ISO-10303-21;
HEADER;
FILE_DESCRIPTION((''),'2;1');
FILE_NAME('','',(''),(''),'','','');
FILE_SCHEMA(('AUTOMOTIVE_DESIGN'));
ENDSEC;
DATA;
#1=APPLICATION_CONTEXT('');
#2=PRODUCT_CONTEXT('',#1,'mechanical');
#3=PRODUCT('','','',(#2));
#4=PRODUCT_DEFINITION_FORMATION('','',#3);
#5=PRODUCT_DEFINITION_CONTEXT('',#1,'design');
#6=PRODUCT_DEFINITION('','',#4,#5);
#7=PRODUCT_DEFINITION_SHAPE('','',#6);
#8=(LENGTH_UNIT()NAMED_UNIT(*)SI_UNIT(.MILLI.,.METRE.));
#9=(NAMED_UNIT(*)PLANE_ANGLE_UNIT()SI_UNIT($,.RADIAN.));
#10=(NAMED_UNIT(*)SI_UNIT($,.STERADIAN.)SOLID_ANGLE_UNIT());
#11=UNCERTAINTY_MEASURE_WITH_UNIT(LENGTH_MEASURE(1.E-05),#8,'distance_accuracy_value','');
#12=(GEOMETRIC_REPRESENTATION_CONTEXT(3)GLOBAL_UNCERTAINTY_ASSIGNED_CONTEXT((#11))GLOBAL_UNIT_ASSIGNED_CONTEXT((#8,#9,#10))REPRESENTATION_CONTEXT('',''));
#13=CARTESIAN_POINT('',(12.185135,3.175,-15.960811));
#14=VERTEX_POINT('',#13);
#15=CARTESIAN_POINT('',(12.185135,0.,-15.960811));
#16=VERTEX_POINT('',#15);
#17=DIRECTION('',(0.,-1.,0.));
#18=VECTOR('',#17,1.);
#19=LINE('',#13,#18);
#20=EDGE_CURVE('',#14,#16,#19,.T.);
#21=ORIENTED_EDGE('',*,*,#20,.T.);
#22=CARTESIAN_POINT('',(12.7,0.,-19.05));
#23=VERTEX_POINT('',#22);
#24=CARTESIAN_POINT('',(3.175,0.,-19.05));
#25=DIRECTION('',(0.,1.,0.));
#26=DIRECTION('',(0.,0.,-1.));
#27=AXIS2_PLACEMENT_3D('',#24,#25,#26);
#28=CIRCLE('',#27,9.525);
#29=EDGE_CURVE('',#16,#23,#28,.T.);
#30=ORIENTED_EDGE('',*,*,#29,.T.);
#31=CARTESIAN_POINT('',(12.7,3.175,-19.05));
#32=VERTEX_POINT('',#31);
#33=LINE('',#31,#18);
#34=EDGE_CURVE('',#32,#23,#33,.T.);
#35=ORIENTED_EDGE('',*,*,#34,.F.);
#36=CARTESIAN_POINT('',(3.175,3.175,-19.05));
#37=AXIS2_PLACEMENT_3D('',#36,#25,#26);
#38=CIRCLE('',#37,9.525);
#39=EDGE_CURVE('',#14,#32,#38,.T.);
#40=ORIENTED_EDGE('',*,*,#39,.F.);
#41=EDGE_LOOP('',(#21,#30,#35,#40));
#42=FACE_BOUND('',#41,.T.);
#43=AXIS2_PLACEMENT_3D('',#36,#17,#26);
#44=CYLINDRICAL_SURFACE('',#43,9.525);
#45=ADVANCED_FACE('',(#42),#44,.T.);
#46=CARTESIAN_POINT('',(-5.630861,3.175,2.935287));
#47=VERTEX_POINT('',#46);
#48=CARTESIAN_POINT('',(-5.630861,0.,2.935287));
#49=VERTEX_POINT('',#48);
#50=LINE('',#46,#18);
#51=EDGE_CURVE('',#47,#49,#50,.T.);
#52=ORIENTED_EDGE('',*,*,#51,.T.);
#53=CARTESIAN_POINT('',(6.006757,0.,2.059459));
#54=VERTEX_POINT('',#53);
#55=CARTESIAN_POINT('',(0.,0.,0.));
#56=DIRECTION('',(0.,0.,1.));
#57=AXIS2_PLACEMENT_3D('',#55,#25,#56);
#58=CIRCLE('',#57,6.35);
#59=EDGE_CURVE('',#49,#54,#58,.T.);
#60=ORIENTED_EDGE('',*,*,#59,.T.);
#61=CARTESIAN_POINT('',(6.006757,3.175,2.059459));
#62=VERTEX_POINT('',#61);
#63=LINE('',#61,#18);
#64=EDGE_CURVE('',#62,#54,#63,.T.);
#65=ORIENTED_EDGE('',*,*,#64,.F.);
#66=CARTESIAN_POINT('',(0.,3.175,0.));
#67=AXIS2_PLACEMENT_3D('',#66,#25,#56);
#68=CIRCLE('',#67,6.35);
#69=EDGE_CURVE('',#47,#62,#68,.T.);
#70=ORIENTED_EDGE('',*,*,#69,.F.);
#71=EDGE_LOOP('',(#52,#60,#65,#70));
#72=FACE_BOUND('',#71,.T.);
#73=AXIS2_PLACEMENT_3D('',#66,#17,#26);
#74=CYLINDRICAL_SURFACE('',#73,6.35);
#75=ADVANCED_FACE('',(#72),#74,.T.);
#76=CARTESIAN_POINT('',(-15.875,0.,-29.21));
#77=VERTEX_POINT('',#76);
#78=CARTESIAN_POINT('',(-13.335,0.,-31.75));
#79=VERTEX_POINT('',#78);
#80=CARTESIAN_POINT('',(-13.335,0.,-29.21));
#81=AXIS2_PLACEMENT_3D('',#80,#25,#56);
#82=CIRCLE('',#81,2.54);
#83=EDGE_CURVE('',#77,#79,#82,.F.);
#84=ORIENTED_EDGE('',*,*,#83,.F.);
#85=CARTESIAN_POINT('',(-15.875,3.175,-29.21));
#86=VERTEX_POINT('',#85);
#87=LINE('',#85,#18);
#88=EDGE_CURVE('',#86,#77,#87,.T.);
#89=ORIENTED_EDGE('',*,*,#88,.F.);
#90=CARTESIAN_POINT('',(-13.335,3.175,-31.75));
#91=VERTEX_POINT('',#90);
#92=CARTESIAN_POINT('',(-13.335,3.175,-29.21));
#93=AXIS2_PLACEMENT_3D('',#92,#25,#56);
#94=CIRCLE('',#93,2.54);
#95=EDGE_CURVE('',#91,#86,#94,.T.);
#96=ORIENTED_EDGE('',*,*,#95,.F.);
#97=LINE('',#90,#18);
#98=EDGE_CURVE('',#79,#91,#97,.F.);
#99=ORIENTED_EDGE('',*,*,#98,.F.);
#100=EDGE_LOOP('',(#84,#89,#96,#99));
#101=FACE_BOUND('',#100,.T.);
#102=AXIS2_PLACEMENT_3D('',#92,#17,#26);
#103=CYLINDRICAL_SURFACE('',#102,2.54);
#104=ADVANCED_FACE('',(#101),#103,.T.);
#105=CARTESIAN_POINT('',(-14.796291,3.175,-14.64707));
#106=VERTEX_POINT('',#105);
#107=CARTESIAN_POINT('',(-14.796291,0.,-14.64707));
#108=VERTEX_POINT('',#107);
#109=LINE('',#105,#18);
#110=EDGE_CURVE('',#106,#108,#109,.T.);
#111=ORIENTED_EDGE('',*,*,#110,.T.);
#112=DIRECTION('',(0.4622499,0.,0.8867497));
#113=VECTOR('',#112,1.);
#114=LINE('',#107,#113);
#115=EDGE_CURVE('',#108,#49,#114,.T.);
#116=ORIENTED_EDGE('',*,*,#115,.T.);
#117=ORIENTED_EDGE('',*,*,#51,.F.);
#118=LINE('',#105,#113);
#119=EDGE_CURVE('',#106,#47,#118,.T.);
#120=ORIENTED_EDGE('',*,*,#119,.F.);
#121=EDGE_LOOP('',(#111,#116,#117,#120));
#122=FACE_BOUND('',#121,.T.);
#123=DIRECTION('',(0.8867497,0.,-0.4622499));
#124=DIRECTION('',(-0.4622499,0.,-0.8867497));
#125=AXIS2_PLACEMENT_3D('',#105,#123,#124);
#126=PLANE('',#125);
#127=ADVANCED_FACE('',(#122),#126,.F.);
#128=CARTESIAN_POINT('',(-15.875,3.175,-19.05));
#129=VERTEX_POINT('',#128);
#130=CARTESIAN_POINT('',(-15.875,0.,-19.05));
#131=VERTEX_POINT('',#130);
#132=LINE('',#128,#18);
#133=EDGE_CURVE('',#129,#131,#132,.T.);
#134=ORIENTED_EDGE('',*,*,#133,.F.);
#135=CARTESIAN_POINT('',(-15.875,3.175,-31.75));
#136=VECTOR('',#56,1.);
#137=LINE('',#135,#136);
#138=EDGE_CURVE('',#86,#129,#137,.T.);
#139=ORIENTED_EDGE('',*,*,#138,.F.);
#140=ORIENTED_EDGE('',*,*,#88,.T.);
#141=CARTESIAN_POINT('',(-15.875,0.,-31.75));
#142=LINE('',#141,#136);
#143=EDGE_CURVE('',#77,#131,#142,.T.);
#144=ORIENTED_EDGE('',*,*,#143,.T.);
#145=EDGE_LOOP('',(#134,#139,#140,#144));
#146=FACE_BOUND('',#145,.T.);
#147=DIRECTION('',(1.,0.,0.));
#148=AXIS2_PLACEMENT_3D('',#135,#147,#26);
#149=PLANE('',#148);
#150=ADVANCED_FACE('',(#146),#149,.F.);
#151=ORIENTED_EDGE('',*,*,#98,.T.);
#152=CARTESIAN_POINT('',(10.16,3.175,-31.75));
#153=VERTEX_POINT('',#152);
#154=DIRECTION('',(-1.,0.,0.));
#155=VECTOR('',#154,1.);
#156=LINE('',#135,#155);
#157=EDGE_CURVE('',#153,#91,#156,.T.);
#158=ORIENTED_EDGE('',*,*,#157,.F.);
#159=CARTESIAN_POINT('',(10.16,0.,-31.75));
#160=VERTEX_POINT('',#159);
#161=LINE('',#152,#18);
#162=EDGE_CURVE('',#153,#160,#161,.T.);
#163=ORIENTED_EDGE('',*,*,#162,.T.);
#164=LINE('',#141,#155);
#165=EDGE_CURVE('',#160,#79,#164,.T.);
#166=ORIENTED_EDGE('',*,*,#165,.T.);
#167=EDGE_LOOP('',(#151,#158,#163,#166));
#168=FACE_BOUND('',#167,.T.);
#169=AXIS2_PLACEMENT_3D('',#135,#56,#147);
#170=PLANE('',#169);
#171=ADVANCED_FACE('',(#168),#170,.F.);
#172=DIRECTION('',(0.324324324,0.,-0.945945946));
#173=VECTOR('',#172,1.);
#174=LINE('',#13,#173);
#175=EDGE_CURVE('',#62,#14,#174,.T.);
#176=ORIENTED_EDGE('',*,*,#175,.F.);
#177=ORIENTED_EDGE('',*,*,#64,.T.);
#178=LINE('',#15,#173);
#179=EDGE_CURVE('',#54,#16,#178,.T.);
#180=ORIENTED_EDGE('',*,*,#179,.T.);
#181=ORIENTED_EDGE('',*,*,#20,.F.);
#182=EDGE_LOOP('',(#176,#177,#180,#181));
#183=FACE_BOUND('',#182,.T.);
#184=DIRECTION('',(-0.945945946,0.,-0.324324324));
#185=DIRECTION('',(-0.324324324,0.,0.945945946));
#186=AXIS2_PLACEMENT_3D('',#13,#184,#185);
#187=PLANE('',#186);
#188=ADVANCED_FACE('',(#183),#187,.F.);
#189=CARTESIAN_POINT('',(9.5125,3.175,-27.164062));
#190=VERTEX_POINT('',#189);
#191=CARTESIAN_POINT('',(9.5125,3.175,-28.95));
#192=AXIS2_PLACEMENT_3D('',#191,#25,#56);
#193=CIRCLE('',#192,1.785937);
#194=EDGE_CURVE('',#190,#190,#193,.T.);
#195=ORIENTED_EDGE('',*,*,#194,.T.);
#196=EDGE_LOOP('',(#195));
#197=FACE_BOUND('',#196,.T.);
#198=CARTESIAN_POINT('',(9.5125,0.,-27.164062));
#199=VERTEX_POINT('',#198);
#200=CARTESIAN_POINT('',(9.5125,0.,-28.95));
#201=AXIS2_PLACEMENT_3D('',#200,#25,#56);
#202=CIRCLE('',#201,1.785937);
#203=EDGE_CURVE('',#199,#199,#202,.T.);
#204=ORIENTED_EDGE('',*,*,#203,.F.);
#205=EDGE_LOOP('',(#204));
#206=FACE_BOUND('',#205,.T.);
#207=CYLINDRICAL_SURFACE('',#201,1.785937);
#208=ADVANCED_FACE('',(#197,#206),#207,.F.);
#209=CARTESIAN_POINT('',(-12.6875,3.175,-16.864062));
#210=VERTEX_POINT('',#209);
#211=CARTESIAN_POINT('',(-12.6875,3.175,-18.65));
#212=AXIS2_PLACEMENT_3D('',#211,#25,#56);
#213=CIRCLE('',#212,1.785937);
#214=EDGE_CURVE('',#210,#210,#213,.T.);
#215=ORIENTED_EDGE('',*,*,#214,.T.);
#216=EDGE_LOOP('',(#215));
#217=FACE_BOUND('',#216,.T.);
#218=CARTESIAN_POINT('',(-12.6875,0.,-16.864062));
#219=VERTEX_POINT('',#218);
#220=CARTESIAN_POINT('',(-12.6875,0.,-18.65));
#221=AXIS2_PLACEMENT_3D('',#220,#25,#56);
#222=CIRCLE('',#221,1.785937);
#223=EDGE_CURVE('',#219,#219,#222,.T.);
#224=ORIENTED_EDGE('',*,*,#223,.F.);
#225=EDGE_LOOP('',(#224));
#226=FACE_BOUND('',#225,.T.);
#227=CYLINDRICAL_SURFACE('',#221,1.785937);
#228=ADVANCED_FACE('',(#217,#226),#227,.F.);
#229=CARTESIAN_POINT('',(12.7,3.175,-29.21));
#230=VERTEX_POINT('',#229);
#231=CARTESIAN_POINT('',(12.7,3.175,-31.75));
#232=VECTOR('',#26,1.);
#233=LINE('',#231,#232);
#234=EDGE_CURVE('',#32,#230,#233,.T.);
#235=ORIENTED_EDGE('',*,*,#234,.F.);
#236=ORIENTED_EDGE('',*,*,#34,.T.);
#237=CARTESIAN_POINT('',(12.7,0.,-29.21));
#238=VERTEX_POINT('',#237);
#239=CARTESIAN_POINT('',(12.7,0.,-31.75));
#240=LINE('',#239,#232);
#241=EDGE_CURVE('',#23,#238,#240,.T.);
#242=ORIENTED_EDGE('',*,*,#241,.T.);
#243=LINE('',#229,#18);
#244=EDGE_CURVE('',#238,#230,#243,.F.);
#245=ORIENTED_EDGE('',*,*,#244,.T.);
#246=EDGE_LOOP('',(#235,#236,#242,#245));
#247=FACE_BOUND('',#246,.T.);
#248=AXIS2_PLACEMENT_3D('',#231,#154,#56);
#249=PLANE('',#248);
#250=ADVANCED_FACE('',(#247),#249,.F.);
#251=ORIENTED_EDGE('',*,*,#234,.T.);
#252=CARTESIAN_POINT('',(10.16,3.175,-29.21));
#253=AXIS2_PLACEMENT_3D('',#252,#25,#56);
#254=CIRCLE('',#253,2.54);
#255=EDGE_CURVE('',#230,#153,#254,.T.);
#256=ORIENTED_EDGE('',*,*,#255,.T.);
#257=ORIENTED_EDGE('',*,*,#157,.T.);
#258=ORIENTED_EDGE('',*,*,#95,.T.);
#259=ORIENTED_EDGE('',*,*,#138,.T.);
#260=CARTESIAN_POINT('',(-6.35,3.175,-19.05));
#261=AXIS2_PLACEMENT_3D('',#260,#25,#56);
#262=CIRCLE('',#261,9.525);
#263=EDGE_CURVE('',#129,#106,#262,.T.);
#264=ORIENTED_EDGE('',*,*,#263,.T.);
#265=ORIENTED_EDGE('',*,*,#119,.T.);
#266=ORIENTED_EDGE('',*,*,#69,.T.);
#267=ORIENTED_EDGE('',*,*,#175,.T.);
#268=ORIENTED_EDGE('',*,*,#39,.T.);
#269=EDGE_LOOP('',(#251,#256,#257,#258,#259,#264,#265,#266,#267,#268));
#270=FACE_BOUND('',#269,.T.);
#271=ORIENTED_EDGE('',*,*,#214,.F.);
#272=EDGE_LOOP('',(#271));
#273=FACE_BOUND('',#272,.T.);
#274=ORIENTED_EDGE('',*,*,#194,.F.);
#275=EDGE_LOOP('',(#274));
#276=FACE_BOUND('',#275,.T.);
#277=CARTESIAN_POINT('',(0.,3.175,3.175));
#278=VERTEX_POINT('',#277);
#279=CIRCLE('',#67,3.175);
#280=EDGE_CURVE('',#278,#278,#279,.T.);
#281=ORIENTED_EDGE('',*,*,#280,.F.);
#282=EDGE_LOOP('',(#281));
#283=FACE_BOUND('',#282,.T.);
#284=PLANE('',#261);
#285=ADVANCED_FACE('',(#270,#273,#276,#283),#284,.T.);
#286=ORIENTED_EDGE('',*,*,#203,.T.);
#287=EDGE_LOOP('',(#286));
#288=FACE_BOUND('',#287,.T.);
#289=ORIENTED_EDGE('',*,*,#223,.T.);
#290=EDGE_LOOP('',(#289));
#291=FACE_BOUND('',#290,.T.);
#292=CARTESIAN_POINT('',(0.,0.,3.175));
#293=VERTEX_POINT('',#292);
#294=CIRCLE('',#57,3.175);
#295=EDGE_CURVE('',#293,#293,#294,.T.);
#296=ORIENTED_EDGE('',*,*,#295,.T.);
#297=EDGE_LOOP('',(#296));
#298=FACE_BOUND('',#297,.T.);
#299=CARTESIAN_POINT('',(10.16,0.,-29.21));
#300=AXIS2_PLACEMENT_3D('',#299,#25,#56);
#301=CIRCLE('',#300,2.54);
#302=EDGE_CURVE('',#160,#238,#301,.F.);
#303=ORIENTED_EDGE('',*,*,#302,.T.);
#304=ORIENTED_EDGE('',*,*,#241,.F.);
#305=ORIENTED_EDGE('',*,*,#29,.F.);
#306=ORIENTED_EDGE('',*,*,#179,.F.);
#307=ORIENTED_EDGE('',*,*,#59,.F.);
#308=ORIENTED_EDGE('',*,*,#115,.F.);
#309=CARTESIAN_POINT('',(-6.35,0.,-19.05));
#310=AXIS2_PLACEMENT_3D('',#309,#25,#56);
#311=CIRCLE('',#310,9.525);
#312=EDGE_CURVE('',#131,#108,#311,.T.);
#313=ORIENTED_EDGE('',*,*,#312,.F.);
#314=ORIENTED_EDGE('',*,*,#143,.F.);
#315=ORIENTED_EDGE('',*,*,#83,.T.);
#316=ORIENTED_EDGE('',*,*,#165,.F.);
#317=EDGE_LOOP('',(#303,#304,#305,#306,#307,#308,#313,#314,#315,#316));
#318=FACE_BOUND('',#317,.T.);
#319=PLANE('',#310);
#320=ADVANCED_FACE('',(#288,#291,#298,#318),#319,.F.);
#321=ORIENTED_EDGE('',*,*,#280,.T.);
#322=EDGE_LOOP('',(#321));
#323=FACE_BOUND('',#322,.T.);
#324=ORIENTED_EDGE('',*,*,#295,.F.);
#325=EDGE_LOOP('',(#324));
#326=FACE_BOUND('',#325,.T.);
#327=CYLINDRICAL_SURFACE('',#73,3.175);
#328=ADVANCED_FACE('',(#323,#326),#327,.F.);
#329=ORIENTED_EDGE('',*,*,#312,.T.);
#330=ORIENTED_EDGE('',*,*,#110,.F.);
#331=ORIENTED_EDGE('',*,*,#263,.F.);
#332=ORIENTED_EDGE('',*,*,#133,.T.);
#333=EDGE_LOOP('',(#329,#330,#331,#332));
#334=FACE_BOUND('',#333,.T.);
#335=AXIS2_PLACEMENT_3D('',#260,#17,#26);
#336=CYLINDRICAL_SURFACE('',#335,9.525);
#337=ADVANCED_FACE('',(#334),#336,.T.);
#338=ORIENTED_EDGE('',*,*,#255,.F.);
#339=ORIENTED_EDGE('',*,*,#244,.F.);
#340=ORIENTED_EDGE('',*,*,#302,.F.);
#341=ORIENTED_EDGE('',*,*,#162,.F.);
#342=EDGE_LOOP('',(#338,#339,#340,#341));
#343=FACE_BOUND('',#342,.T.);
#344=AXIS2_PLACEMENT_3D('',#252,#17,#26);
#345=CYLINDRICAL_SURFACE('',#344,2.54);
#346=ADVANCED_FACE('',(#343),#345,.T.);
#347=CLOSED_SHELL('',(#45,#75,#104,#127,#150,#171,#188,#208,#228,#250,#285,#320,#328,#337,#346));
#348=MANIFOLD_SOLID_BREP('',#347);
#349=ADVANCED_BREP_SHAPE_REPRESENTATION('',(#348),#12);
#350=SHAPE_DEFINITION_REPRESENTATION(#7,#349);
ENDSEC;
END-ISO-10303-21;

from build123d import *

# Parameters (mm, degrees)
SKETCH1_R           = 3.175
BOSS_EXTRUDE1_DEPTH = 3.175
SKETCH2_R           = 1.7859375
CUT_EXTRUDE1_DEPTH  = 4.175
FILLET1_R           = 2.54


with BuildPart() as part:
    # Sketch1 → Boss-Extrude1 (new body)
    with BuildSketch(Plane(origin=(0, 0, 0), x_dir=(1, 0, 0), z_dir=(0, 1, 0))):
        with BuildLine():
            Line((-14.79629089, 14.647069703), (-5.630860593, -2.935286864))
            ThreePointArc((-5.630860593, -2.935286864), (0.476542645, -6.332093422), (6.006756757, -2.059459459))
            Line((6.006756757, -2.059459459), (12.185135135, 15.960810811))
            ThreePointArc((12.185135135, 15.960810811), (12.570402125, 17.484099646), (12.7, 19.05))
            Line((12.7, 19.05), (12.7, 31.75))
            Line((12.7, 31.75), (-15.875, 31.75))
            Line((-15.875, 31.75), (-15.875, 19.05))
            ThreePointArc((-15.875, 19.05), (-15.601393023, 16.783427227), (-14.79629089, 14.647069703))
        make_face()
        Circle(SKETCH1_R, mode=Mode.SUBTRACT)
    extrude(amount=BOSS_EXTRUDE1_DEPTH)

    # Sketch2 → Cut-Extrude1 (cut, through all)
    with BuildSketch(Plane(origin=(0, 3.175, 0), x_dir=(1, 0, 0), z_dir=(0, 1, 0))):
        with Locations((-12.6875, 18.65)):
            Circle(SKETCH2_R)
        with Locations((9.5125, 28.95)):
            Circle(SKETCH2_R)
    extrude(amount=-CUT_EXTRUDE1_DEPTH, mode=Mode.SUBTRACT)

    # Fillet1
    fillet1_edges = [part.edges().sort_by_distance(p)[0] for p in [
        (-15.875, 1.5875, -31.75),
        (12.7, 1.5875, -31.75),
    ]]
    fillet(fillet1_edges, radius=FILLET1_R)


solid = part.part
